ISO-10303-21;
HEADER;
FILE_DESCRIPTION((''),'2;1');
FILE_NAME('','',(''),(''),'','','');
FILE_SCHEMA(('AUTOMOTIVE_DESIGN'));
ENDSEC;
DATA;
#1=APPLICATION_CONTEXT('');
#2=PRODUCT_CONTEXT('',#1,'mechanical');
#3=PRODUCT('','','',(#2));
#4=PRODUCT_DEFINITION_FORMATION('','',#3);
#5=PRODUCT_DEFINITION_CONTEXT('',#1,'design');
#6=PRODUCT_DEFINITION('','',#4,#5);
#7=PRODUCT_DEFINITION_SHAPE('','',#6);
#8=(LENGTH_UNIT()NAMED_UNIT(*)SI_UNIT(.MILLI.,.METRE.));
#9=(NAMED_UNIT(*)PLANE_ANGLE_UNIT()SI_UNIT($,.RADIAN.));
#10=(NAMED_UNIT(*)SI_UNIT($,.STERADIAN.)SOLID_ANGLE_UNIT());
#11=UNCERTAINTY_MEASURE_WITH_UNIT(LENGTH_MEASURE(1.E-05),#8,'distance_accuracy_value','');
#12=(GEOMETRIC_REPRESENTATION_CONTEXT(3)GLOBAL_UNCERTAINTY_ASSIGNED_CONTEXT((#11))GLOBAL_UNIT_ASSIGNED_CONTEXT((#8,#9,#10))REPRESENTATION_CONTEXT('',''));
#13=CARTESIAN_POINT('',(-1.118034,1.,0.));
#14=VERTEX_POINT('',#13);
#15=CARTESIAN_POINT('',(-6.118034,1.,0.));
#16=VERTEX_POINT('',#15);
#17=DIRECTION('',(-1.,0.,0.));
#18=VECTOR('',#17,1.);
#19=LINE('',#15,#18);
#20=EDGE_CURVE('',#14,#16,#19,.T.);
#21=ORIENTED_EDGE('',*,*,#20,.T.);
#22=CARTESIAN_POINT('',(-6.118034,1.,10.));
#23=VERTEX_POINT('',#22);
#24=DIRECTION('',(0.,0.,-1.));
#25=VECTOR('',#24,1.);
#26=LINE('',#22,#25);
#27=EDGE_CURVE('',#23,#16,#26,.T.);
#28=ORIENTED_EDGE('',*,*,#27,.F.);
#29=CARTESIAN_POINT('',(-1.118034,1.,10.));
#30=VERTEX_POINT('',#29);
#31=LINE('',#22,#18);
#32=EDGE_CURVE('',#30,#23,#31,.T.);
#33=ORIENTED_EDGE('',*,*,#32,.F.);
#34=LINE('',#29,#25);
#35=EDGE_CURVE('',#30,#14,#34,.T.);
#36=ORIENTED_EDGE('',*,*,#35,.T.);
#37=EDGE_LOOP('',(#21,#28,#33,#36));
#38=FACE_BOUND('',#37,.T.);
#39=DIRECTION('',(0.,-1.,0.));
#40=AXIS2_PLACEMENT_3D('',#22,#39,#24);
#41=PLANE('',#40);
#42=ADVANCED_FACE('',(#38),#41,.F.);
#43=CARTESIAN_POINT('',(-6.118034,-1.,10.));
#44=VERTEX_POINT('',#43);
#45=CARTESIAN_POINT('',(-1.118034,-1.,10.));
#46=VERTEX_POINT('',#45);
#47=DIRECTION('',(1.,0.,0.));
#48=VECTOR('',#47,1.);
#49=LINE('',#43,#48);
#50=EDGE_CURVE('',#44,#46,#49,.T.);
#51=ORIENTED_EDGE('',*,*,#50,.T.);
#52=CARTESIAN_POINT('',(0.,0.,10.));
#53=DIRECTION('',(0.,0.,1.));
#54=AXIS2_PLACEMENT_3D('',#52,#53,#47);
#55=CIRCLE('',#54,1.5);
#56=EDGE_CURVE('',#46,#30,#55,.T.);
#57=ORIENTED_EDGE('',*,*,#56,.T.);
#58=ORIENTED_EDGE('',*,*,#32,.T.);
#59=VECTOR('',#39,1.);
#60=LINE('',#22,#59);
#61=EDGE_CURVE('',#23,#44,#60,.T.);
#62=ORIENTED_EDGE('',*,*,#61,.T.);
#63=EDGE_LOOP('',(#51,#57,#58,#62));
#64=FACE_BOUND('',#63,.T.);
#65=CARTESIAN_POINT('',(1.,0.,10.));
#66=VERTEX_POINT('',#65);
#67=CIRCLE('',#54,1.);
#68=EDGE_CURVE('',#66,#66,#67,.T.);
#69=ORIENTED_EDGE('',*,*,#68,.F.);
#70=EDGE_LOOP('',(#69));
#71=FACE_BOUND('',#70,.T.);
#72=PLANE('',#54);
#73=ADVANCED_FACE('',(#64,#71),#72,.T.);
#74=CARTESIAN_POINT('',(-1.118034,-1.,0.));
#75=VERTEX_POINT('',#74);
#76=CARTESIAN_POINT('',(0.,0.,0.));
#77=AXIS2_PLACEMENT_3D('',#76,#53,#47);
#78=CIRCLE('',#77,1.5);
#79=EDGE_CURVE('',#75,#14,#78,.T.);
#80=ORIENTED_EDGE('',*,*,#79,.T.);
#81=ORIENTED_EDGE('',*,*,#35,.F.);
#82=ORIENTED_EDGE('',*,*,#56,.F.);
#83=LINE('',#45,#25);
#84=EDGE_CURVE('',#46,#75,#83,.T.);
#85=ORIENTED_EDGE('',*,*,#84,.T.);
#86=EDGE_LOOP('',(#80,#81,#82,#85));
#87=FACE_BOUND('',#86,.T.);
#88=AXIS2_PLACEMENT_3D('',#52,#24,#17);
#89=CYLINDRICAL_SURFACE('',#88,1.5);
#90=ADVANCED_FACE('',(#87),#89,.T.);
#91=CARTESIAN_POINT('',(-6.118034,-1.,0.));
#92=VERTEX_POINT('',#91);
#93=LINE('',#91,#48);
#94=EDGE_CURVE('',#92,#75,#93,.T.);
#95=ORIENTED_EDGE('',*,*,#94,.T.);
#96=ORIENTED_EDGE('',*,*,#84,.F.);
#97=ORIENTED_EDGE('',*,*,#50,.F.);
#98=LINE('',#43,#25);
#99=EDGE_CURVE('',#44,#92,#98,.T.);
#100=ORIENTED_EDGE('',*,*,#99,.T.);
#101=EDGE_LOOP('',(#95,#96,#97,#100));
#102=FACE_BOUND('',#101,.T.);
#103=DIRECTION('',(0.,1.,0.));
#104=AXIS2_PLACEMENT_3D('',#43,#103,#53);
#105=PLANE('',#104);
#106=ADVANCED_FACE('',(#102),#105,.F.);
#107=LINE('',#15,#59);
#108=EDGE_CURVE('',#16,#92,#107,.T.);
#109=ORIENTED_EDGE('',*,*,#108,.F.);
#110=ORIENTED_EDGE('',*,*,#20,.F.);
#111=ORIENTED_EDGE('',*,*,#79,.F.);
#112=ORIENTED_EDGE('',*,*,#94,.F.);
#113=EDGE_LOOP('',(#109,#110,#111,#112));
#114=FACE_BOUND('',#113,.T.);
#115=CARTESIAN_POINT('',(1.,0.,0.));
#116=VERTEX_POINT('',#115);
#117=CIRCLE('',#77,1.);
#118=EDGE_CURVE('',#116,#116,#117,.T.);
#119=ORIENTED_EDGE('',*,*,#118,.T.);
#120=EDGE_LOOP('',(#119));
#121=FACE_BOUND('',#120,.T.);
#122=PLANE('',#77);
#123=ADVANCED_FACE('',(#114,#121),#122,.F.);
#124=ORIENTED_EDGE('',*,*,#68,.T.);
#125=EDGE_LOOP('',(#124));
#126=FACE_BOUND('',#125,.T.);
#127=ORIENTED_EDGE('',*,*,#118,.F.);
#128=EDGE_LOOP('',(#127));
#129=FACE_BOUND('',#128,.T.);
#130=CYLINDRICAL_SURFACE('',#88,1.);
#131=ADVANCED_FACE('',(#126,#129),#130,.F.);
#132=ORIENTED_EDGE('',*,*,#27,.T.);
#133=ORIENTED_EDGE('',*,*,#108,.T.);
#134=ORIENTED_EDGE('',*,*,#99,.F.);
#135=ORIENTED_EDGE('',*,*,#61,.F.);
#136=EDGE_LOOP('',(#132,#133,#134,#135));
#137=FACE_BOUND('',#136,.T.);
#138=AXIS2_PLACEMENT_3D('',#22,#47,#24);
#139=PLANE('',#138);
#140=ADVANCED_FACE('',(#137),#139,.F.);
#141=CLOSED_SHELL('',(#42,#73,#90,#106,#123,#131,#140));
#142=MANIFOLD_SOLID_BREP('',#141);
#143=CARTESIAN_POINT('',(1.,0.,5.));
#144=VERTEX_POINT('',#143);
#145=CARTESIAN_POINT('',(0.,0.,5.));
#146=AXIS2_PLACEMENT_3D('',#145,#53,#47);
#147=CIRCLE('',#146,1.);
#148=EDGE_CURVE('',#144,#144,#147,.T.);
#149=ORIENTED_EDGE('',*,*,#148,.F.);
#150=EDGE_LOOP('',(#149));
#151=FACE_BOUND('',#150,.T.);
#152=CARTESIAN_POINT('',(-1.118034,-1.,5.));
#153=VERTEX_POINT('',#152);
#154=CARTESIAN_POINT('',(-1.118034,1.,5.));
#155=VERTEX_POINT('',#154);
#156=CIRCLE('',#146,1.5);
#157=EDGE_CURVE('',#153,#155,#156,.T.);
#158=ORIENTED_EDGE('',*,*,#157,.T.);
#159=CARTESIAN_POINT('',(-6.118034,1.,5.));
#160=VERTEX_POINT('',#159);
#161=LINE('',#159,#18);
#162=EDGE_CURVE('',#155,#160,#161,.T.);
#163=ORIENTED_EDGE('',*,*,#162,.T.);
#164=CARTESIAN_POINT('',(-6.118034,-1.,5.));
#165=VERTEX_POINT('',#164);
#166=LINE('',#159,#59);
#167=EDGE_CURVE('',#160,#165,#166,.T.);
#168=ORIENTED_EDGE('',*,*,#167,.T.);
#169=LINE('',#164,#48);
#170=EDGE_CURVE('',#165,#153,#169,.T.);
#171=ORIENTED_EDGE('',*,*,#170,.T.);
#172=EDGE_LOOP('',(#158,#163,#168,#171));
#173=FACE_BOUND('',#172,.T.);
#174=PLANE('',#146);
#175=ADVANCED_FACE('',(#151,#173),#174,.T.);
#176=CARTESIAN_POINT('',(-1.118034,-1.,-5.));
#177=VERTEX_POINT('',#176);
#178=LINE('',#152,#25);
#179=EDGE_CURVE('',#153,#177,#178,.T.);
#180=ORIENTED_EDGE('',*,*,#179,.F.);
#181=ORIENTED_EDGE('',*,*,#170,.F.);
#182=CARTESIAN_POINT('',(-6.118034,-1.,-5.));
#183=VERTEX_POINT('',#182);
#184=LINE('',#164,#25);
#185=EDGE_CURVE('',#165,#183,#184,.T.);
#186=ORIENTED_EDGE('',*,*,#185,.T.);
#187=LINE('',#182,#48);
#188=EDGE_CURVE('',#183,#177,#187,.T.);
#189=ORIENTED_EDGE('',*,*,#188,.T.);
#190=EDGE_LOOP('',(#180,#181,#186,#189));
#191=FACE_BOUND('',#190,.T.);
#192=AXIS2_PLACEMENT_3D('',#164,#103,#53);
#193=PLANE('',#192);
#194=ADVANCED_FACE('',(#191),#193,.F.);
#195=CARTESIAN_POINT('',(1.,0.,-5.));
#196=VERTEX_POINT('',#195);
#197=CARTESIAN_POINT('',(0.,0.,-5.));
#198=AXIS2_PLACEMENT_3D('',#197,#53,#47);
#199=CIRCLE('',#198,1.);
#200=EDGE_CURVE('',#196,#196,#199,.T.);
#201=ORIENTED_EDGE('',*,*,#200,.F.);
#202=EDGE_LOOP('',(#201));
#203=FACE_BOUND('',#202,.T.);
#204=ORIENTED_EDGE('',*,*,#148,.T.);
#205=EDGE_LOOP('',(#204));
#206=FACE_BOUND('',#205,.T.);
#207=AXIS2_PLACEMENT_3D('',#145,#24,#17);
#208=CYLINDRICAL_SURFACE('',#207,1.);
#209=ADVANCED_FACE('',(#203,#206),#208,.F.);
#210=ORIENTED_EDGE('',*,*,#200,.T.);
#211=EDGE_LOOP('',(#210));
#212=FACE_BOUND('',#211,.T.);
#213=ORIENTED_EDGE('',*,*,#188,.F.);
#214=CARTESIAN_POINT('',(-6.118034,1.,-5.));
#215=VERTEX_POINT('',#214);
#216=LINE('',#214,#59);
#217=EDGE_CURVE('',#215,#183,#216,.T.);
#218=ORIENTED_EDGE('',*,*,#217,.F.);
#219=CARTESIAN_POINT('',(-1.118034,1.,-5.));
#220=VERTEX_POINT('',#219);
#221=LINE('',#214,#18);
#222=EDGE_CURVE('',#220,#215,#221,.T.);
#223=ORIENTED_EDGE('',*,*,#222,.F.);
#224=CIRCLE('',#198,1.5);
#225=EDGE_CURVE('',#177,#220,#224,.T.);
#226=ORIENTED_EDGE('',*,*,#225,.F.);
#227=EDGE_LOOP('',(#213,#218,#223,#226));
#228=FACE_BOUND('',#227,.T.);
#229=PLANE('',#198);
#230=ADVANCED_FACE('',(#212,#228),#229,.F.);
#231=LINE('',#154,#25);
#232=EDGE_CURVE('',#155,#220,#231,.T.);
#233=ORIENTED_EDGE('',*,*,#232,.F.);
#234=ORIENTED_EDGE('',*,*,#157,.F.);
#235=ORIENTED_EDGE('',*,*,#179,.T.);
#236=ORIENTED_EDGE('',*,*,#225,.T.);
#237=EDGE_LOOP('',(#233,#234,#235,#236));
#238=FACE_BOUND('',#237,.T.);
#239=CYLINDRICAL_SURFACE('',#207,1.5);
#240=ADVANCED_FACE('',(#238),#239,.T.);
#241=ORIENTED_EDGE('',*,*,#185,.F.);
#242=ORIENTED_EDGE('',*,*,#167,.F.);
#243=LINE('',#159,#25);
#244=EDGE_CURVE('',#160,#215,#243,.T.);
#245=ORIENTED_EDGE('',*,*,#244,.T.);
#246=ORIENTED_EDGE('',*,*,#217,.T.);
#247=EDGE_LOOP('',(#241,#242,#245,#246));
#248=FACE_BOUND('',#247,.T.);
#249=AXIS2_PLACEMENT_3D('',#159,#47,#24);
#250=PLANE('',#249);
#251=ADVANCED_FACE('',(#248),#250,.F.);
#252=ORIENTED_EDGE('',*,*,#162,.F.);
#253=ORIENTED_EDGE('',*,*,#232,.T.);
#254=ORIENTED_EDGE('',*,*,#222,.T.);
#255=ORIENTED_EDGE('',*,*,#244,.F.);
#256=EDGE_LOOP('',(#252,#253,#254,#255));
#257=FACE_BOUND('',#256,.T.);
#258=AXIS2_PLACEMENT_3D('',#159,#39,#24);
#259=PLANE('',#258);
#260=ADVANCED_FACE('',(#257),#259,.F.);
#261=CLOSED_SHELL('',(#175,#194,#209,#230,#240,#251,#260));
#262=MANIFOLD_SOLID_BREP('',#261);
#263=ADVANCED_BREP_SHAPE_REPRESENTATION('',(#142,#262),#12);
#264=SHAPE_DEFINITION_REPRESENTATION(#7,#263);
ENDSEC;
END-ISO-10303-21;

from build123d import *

# Parameters (mm, degrees)
SKETCH_1_R      = 1
EXTRUDE_1_DEPTH = 10
SKETCH_1_2_R    = 1
EXTRUDE_3_DEPTH = 5


with BuildPart() as part:
    # 草图1 → 凸台-拉伸1 (new body)
    with BuildSketch(Plane.XY):
        with BuildLine():
            Line((-6.118033989, 1), (-1.118033989, 1))
            ThreePointArc((-1.118033989, 1), (1.5, 0), (-1.118033989, -1))
            Line((-1.118033989, -1), (-6.118033989, -1))
            Line((-6.118033989, -1), (-6.118033989, 1))
        make_face()
        Circle(SKETCH_1_R, mode=Mode.SUBTRACT)
    extrude(amount=EXTRUDE_1_DEPTH)


with BuildPart() as body_2:
    # 草图1<2> → 凸台-拉伸3 (new, symmetric)
    with BuildSketch(Plane.XY):
        with BuildLine():
            Line((-6.118033989, 1), (-1.118033989, 1))
            ThreePointArc((-1.118033989, 1), (1.5, 0), (-1.118033989, -1))
            Line((-1.118033989, -1), (-6.118033989, -1))
            Line((-6.118033989, -1), (-6.118033989, 1))
        make_face()
        Circle(SKETCH_1_2_R, mode=Mode.SUBTRACT)
    extrude(amount=EXTRUDE_3_DEPTH, both=True)


solid = Compound([part.part, body_2.part])
